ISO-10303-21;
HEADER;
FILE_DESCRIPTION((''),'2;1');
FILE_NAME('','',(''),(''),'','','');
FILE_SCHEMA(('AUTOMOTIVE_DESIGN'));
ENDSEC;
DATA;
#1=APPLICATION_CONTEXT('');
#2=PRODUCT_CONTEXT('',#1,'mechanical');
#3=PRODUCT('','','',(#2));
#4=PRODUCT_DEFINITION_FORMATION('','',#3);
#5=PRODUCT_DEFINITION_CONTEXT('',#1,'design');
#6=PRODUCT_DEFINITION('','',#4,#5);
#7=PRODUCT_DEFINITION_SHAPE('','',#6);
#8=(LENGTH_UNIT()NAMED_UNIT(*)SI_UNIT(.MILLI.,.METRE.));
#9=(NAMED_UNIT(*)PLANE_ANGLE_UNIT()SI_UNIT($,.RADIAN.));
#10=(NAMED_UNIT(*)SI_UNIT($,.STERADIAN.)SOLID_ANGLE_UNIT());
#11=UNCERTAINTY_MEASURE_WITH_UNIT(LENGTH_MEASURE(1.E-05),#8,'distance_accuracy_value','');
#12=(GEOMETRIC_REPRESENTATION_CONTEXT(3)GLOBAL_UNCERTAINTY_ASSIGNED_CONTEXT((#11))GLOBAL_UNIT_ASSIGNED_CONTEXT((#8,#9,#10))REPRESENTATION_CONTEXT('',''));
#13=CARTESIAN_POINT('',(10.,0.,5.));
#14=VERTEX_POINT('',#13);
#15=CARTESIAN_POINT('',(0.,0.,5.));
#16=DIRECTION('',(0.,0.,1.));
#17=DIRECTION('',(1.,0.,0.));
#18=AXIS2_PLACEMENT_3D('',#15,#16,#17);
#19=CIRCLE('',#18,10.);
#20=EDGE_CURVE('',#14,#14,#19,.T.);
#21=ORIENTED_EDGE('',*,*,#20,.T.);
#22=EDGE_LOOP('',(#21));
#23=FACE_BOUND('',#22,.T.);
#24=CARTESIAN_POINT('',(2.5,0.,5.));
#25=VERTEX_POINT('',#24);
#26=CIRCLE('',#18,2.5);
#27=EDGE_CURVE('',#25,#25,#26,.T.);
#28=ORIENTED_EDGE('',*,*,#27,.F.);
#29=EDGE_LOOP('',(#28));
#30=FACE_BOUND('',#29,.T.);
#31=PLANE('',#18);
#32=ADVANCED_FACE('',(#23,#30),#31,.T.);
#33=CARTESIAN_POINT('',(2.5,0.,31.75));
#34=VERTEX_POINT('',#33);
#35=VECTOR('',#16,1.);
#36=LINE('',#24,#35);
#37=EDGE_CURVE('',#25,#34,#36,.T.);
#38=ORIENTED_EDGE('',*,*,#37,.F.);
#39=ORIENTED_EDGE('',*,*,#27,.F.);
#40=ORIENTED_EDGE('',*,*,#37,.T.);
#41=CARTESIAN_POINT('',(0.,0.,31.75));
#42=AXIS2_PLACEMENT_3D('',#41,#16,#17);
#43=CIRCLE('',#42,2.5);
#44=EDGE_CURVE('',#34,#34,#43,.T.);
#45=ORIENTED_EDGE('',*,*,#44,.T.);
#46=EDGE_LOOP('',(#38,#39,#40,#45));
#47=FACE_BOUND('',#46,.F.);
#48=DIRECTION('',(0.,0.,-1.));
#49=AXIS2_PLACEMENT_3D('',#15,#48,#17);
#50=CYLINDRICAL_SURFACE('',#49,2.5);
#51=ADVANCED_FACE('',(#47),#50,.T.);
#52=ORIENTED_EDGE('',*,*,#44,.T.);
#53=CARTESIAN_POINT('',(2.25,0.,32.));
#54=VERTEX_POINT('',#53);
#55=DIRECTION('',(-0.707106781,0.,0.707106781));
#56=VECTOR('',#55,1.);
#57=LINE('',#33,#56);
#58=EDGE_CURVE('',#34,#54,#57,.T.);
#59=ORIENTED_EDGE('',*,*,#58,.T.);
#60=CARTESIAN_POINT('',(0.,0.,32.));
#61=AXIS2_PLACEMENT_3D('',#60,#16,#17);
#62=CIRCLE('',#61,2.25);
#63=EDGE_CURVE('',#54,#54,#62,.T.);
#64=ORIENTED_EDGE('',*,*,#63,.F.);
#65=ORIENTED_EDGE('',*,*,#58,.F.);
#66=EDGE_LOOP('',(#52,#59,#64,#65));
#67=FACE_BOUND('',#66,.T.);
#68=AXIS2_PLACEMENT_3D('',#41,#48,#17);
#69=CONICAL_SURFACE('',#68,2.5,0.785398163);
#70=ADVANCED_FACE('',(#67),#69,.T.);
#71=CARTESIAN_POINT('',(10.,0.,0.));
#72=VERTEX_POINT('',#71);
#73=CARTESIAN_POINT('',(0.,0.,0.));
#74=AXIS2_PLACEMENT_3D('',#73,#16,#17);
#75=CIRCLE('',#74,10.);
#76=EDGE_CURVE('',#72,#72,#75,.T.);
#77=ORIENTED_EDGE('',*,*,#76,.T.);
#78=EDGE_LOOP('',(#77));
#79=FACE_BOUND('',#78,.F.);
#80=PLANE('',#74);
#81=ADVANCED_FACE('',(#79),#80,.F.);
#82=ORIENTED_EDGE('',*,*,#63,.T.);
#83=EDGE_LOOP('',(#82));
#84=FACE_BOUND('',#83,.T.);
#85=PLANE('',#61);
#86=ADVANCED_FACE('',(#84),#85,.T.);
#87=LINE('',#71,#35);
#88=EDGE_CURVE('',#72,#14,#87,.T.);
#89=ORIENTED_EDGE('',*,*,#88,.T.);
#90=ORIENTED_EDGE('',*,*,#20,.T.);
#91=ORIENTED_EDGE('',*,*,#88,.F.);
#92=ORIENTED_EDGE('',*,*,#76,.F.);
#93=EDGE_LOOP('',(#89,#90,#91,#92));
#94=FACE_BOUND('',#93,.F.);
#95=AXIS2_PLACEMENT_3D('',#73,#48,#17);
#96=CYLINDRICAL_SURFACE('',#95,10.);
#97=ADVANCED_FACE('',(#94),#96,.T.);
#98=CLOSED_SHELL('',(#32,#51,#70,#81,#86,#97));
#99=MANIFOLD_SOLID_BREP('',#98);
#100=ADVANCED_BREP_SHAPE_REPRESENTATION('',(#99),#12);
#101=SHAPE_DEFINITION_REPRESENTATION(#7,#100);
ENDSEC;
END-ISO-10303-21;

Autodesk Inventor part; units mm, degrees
ref_plane "YZ Plane" through (0, 0, 0) normal (1, 0, 0) x (0, 1, 0)
ref_plane "XZ Plane" through (0, 0, 0) normal (0, 1, 0) x (-1, 0, 0)
ref_plane "XY Plane" through (0, 0, 0) normal (0, 0, 1) x (1, 0, 0)
sketch "草图1" plane through (0, 0, 0) normal (0, 0, 1) x (1, 0, 0)
  circle A0 centre (0, 0) radius 10
  dimension "d0" = 20
extrude "拉伸1" add sketch "草图1" along normal blind 5
sketch "草图2" plane through (0, 0, 5) normal (0, 0, 1) x (1, 0, 0)
  circle A0 centre (0, 0) radius 2.5
  dimension "d3" = 5
extrude "拉伸2" add sketch "草图2" along normal blind 27
thread "螺纹1" size "M5x0.8" class "6g" standard "ANSI Metric M Profile" full length
chamfer "倒角1" distance 0.25 angle 45 1 edges at (-2.5, 0, 32)
properties part number "刀轴带动盘连杆固定螺丝"
